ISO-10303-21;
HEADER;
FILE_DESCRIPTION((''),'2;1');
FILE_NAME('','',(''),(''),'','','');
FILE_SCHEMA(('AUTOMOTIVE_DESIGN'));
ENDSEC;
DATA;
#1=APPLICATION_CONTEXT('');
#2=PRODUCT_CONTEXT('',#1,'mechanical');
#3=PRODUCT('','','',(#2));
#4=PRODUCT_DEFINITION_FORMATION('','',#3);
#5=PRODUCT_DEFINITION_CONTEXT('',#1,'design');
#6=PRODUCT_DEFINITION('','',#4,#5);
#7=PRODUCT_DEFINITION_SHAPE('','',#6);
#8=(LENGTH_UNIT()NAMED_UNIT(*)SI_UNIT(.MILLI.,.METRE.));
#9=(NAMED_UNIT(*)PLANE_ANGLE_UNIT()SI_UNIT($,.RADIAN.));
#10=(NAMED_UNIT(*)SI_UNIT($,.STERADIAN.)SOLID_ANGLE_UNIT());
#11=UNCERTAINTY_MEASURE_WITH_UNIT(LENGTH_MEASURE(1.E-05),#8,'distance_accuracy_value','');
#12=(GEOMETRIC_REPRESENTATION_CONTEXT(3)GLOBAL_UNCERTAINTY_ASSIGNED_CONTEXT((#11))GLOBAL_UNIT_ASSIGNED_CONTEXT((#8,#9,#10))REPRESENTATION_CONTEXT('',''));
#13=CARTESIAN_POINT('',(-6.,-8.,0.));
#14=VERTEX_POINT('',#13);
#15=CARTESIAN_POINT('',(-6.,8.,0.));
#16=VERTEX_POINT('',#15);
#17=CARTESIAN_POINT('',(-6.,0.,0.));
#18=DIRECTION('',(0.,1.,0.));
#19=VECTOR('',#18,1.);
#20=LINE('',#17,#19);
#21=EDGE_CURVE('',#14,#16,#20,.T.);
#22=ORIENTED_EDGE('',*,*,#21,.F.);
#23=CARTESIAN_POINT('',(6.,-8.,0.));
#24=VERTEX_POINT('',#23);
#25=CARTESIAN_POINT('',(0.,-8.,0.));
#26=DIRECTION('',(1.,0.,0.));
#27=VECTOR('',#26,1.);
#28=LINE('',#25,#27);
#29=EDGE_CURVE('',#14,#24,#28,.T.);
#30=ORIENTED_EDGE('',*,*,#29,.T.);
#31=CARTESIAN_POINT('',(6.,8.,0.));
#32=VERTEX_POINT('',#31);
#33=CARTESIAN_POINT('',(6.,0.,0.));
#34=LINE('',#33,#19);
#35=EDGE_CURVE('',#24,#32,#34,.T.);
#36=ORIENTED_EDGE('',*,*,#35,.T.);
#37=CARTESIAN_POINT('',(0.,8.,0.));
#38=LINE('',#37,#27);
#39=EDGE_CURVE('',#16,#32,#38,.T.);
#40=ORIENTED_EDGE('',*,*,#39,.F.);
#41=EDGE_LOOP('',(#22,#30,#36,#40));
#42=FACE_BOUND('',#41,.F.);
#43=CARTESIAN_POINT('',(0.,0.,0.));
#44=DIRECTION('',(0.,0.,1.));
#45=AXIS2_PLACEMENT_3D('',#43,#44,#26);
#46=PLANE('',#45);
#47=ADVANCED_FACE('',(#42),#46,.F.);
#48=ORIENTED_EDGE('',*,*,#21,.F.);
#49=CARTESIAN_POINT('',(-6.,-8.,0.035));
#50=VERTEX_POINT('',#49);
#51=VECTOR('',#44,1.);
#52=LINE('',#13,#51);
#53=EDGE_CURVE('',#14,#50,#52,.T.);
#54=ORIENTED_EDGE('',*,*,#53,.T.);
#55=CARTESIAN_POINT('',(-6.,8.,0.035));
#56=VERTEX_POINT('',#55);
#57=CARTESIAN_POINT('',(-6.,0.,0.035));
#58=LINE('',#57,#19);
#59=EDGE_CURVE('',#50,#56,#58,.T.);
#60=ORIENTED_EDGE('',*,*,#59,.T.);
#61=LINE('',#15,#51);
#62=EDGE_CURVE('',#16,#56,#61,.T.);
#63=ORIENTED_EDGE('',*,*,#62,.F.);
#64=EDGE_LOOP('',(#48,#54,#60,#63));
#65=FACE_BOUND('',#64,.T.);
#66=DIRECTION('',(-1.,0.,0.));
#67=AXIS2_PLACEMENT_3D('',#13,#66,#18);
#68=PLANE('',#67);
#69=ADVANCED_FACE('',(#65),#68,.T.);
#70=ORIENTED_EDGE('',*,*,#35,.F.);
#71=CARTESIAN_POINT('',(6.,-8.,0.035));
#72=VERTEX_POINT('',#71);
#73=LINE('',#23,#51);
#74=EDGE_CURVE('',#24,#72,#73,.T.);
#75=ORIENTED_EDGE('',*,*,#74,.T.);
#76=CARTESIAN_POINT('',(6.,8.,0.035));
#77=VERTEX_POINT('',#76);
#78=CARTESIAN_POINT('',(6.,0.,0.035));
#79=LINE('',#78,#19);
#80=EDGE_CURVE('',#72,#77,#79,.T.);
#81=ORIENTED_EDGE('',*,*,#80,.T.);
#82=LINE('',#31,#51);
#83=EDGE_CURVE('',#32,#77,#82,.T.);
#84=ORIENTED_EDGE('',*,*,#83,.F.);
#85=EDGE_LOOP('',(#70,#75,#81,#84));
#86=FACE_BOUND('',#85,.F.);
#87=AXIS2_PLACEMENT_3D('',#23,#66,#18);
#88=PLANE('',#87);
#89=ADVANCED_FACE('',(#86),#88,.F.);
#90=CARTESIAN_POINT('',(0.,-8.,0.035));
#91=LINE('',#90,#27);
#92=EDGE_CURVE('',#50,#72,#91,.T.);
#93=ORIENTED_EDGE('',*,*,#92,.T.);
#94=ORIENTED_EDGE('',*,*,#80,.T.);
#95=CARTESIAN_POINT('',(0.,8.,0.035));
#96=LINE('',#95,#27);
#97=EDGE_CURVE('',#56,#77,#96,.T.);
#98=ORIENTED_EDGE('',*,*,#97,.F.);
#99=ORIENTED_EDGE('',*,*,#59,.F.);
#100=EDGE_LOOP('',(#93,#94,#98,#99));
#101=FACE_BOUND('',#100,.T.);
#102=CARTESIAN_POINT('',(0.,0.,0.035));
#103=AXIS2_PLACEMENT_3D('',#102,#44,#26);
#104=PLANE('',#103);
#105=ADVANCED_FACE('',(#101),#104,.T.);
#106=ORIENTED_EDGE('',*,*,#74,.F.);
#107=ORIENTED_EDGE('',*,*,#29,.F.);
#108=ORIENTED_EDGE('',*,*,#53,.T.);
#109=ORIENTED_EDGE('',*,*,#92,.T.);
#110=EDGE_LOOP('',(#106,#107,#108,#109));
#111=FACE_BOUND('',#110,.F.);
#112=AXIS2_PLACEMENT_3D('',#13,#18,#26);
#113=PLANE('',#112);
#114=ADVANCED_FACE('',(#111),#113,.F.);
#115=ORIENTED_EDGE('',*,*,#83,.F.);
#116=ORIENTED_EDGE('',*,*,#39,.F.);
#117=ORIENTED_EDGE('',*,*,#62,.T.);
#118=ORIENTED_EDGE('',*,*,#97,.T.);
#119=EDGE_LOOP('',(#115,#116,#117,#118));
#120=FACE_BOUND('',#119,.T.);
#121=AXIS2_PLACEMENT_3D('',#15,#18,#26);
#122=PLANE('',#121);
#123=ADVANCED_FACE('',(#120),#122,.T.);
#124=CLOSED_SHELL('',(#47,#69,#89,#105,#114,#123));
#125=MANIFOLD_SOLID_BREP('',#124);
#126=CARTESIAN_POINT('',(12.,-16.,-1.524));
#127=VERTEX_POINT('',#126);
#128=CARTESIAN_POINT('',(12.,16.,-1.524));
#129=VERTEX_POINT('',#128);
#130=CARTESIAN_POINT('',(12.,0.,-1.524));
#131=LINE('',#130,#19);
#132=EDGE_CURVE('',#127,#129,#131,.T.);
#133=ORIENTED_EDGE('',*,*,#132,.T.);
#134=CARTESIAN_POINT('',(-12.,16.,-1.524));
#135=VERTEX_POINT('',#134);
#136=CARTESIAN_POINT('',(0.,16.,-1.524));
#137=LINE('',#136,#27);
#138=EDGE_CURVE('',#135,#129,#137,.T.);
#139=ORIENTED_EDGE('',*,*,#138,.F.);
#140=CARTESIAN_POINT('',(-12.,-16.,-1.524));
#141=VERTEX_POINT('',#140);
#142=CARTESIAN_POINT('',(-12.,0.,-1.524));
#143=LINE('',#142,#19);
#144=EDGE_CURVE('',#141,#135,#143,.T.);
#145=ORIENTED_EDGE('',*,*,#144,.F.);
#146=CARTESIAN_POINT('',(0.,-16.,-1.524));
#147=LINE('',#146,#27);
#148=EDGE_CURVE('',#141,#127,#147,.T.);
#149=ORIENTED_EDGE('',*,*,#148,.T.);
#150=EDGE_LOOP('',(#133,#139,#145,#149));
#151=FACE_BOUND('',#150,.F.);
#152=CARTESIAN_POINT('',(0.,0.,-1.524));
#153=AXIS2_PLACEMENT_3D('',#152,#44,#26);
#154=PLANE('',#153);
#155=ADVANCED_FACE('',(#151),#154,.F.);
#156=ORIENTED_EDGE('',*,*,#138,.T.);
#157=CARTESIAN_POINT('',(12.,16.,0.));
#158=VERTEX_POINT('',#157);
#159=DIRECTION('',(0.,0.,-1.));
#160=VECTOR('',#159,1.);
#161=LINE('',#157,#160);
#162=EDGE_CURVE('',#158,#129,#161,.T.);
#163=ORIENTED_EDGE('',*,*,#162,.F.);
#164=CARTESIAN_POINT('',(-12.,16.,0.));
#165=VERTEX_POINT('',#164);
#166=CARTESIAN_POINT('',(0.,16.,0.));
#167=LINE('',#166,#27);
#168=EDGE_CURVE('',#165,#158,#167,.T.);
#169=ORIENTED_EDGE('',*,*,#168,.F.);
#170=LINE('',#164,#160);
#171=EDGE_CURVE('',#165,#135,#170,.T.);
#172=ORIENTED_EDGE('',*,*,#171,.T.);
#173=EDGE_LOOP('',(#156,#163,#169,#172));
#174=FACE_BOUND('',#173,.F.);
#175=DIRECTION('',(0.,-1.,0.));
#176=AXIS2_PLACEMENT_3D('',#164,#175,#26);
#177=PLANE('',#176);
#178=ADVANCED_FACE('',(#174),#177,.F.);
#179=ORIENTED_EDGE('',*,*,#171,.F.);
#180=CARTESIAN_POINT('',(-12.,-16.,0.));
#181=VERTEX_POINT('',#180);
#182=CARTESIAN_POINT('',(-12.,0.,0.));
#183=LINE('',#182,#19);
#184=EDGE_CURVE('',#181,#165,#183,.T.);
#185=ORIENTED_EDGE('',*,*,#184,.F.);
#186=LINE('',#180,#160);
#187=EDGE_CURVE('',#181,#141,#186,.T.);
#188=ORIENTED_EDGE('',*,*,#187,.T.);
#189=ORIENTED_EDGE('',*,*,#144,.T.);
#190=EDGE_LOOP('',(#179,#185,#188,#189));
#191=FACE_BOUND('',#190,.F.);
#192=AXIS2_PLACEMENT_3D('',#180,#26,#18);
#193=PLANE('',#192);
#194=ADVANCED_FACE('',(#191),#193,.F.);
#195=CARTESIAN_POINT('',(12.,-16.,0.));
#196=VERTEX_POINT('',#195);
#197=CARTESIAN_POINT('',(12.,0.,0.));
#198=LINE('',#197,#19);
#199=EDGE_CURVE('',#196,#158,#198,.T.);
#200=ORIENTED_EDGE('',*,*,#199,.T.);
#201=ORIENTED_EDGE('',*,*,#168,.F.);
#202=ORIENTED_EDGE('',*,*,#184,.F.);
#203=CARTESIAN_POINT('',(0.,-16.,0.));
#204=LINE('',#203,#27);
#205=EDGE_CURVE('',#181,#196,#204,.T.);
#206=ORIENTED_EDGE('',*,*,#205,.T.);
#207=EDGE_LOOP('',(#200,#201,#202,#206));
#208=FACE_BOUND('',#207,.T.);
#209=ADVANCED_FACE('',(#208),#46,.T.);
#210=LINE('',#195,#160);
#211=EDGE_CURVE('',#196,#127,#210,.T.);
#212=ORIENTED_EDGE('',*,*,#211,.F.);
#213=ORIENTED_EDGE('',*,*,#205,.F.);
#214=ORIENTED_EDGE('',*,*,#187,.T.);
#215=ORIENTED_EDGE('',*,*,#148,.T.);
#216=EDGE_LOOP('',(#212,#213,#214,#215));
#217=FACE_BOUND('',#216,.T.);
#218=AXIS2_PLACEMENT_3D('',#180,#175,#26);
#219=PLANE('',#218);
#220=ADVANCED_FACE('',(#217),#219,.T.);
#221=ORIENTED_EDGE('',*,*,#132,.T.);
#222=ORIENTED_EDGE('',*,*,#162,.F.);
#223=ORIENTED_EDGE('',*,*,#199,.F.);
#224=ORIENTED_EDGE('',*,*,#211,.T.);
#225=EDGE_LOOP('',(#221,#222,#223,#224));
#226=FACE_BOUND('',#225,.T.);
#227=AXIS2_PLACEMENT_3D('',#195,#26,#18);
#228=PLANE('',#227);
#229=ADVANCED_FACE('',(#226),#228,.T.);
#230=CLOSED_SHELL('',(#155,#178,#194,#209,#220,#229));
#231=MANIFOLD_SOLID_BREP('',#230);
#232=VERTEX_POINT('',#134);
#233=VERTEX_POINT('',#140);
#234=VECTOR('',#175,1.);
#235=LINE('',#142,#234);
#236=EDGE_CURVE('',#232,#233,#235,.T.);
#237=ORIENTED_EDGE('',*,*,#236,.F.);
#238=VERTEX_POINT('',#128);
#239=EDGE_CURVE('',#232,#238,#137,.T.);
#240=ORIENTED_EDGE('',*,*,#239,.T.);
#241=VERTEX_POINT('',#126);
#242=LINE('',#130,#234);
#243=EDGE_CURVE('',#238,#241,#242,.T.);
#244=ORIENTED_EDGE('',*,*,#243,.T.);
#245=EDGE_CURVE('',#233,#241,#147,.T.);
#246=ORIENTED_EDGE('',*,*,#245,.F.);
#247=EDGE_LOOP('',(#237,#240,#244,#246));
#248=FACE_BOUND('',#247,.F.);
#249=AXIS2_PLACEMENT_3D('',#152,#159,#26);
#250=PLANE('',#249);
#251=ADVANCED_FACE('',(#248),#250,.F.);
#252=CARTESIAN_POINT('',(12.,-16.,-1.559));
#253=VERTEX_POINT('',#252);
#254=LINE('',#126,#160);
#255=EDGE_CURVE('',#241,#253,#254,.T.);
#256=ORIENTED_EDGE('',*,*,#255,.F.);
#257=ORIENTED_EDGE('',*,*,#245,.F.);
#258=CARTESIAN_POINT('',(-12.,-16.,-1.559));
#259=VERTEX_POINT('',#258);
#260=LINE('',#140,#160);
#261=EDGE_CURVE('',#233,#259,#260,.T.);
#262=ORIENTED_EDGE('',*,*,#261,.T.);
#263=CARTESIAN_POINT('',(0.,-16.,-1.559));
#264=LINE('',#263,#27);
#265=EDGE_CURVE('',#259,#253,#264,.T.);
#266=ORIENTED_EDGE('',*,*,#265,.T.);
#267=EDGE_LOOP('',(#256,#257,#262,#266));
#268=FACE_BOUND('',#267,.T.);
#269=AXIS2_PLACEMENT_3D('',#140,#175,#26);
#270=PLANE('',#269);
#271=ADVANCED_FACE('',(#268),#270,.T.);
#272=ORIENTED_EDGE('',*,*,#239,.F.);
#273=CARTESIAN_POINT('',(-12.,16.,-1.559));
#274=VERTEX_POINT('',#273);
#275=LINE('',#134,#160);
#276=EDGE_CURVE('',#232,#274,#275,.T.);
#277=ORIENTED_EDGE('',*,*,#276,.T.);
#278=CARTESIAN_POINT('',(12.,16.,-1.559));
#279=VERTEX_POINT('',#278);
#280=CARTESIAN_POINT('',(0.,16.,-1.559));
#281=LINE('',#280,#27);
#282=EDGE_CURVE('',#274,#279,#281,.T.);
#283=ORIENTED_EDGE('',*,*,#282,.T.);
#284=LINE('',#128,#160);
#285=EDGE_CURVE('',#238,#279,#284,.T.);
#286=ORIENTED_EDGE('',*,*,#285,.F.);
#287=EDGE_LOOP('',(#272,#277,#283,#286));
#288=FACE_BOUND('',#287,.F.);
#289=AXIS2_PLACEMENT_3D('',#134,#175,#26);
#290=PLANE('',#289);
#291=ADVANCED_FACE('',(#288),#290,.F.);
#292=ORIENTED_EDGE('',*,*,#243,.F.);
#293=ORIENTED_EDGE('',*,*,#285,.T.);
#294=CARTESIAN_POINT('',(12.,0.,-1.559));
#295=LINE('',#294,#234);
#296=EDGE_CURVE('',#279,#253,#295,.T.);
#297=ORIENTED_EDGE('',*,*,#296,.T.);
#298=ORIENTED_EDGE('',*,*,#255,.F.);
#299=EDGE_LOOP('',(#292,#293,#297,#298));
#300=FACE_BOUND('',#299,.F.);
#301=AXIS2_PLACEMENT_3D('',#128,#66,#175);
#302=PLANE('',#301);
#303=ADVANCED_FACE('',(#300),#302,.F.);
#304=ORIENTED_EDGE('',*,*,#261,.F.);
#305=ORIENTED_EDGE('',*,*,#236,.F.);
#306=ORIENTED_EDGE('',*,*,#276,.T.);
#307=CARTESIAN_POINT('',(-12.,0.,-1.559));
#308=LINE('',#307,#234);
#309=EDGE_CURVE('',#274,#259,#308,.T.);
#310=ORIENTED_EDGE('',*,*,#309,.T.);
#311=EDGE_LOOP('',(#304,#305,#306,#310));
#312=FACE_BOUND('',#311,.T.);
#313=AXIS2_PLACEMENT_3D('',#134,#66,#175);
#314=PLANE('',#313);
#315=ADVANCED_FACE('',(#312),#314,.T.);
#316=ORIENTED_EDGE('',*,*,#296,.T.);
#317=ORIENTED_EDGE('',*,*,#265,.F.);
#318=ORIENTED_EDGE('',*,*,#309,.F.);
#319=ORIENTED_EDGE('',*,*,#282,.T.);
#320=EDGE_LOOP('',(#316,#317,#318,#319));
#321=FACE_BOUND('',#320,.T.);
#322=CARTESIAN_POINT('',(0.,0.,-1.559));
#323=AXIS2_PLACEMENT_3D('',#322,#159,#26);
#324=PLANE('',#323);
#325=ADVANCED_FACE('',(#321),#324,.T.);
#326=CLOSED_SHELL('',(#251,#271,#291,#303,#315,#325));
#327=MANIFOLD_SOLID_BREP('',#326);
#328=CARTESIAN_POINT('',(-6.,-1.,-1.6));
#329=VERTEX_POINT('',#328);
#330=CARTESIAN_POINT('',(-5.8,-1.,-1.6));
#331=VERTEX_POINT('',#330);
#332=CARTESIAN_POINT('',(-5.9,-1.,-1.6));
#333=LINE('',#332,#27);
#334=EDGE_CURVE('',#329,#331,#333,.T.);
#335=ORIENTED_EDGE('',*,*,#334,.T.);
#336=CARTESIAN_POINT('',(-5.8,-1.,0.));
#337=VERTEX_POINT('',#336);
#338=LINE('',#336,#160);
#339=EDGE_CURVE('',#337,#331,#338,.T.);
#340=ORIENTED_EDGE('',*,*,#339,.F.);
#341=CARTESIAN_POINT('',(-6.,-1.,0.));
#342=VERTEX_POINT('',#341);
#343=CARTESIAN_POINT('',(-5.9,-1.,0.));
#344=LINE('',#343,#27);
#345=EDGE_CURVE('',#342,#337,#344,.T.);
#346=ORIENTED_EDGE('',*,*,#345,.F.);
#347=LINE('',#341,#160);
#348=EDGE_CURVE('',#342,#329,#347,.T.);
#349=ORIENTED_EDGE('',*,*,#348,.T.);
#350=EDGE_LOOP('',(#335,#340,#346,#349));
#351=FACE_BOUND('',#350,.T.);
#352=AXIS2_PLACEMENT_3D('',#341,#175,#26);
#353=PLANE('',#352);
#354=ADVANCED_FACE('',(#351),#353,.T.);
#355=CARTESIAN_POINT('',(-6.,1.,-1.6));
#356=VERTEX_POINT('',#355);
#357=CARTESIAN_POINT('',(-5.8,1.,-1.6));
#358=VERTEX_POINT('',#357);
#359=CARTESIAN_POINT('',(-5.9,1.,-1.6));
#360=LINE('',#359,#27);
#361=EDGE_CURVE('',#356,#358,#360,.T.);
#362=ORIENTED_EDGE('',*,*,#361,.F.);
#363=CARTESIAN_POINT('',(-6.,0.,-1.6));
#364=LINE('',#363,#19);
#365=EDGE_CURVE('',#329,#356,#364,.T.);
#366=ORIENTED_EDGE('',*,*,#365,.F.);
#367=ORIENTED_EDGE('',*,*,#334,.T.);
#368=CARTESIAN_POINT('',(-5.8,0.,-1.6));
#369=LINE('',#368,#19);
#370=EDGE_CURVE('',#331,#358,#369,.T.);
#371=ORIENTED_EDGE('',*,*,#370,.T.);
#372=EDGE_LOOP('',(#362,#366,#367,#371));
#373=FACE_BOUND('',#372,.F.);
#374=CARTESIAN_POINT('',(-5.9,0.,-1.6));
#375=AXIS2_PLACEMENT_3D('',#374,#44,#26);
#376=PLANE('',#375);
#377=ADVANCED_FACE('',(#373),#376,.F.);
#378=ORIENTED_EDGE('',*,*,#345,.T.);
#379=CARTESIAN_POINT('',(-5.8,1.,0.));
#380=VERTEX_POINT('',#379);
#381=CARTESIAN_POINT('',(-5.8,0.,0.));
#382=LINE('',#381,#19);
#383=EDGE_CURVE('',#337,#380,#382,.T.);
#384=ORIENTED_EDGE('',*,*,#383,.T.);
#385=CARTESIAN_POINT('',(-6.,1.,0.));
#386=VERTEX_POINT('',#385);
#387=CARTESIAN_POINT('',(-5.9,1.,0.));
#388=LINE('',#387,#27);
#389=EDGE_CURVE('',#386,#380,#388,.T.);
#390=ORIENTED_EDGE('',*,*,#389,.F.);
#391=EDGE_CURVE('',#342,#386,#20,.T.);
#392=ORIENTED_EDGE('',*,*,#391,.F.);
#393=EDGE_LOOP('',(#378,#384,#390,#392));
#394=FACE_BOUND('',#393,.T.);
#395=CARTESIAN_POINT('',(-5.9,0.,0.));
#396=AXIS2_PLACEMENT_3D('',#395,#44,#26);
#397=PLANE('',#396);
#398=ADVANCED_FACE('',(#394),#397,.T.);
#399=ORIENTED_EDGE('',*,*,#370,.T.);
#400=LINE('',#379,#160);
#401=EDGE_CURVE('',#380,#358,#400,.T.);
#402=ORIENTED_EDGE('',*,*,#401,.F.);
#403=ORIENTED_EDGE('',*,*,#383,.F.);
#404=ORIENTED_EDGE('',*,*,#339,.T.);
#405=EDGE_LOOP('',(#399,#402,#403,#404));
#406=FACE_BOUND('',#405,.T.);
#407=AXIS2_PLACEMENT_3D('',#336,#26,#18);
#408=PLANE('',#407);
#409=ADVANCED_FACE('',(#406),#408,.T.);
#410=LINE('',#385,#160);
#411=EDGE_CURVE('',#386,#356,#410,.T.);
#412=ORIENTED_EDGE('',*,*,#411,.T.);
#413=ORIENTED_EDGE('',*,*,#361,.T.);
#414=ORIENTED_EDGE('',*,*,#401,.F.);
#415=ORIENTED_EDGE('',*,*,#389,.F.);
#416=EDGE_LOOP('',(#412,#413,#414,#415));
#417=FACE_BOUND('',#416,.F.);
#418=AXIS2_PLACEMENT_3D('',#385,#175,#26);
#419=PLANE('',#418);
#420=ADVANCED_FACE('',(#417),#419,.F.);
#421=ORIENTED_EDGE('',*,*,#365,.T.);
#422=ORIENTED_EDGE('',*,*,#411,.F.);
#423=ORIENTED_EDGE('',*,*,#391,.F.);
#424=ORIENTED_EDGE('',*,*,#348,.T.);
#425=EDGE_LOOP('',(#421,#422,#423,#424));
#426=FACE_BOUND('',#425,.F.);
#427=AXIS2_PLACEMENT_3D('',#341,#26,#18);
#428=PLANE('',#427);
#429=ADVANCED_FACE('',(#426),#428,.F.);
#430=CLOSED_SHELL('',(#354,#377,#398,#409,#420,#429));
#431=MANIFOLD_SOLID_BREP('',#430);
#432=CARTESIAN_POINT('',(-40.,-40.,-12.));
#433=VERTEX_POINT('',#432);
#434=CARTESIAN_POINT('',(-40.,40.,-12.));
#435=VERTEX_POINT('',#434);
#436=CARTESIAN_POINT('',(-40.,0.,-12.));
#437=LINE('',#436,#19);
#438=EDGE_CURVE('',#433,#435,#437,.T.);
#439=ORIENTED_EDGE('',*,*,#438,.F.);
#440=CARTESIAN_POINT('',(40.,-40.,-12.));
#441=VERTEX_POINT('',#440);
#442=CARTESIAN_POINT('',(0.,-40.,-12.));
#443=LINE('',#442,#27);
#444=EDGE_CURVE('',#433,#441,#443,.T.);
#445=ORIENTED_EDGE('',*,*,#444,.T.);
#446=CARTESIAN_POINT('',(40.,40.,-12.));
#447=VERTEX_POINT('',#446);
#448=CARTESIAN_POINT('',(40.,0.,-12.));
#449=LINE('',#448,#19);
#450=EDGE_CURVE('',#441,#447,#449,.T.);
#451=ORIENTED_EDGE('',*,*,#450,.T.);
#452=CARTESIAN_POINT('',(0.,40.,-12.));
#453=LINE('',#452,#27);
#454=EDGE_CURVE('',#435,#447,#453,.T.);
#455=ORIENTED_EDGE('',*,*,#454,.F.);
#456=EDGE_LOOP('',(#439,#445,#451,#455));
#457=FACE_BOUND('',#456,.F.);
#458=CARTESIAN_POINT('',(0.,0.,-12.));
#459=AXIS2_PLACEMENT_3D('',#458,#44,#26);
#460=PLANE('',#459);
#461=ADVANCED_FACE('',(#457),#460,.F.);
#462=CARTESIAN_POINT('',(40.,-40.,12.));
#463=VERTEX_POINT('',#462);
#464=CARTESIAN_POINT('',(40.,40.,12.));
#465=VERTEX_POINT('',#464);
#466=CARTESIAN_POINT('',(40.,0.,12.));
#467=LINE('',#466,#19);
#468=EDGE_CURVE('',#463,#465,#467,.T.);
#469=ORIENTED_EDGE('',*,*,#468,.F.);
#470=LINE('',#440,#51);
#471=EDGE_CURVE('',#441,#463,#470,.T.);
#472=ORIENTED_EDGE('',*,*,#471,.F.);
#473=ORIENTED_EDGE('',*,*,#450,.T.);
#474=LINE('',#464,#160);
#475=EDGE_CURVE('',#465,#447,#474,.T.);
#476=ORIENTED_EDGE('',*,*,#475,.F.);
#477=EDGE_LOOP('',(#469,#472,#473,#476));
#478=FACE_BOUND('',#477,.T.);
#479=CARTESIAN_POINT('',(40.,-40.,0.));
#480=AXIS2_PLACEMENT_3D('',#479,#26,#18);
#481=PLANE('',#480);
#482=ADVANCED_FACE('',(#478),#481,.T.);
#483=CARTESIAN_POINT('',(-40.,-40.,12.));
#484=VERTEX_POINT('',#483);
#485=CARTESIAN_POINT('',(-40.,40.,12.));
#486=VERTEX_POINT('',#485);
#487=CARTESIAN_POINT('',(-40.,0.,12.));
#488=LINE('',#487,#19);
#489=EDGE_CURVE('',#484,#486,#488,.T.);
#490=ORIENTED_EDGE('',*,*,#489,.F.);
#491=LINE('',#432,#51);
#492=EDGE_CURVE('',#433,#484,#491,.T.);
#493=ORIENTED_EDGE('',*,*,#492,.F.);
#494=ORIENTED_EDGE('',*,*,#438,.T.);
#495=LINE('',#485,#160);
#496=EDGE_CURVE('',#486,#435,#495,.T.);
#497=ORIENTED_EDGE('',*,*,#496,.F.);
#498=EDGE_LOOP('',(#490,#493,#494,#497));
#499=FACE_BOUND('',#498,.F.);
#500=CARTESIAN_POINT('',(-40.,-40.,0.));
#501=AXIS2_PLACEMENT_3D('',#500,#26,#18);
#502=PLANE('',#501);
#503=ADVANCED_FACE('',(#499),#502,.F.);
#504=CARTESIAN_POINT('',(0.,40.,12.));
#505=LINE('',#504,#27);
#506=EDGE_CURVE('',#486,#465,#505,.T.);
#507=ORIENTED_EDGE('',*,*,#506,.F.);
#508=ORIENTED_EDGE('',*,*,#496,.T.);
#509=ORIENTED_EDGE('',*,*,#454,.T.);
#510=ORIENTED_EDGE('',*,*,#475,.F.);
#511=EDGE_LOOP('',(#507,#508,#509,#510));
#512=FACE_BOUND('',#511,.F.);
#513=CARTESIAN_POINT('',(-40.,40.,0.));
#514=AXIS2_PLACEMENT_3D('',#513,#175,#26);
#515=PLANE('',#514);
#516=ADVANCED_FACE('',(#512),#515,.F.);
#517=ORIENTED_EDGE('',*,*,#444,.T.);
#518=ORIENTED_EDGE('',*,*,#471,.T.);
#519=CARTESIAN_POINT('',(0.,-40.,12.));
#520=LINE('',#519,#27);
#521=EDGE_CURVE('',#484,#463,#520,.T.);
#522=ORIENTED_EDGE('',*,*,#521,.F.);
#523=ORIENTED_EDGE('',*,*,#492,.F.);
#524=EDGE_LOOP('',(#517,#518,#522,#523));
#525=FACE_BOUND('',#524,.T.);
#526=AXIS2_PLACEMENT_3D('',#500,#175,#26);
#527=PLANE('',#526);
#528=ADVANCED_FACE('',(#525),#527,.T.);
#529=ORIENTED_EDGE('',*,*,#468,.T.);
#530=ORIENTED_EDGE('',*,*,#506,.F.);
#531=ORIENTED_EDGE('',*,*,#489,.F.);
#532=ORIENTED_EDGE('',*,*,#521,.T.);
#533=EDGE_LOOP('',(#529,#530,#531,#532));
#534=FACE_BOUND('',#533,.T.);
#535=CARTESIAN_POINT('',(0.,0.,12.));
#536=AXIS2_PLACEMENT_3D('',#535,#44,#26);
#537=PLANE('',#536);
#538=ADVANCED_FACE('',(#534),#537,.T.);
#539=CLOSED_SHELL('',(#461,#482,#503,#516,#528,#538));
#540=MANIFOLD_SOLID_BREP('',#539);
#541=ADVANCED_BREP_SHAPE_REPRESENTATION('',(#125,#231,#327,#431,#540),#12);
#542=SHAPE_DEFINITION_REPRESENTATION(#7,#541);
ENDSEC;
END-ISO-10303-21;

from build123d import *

# Parameters (mm, degrees)
SKETCH_W         = 12
SKETCH_H         = 16
EXTRUDE_DEPTH    = 0.035
SKETCH001_W      = 24
SKETCH001_H      = 32
EXTRUDE001_DEPTH = 1.524
SKETCH003_W      = 24
SKETCH003_H      = 32
EXTRUDE002_DEPTH = 0.035
SKETCH002_W      = 0.2
SKETCH002_H      = 2
EXTRUDE003_DEPTH = 1.6
SKETCH004_W      = 80
SKETCH004_H      = 80
EXTRUDE004_DEPTH = 12


with BuildPart() as antenna:
    # Sketch → Extrude (new body)
    with BuildSketch(Plane.XY):
        Rectangle(SKETCH_W, SKETCH_H)
    extrude(amount=EXTRUDE_DEPTH)


with BuildPart() as substrate:
    # Sketch001 (on Sketch) → Extrude001 (new body)
    with BuildSketch(Plane.XY):
        Rectangle(SKETCH001_W, SKETCH001_H)
    extrude(amount=-EXTRUDE001_DEPTH)


with BuildPart() as gnd:
    # Sketch003 (on Face6 of Extrude001) → Extrude002 (new body)
    with BuildSketch(Plane(origin=(0, 0, -1.524), x_dir=(1, 0, 0), z_dir=(0, 0, -1))):
        Rectangle(SKETCH003_W, SKETCH003_H)
    extrude(amount=EXTRUDE002_DEPTH)


with BuildPart() as excitation:
    # Sketch002 (on Sketch) → Extrude003 (new body)
    with BuildSketch(Plane.XY):
        with Locations((-5.9, 0)):
            Rectangle(SKETCH002_W, SKETCH002_H)
    extrude(amount=-EXTRUDE003_DEPTH)


with BuildPart() as excitation_1:
    # Extrude003 placement: moved
    add(excitation.part.moved(Location((0, 0, 0.035))))


with BuildPart() as air:
    # Sketch004 → Extrude004 (new body, symmetric)
    with BuildSketch(Plane.XY):
        Rectangle(SKETCH004_W, SKETCH004_H)
    extrude(amount=EXTRUDE004_DEPTH, both=True)


solid = Compound([antenna.part, substrate.part, gnd.part, excitation_1.part, air.part])
